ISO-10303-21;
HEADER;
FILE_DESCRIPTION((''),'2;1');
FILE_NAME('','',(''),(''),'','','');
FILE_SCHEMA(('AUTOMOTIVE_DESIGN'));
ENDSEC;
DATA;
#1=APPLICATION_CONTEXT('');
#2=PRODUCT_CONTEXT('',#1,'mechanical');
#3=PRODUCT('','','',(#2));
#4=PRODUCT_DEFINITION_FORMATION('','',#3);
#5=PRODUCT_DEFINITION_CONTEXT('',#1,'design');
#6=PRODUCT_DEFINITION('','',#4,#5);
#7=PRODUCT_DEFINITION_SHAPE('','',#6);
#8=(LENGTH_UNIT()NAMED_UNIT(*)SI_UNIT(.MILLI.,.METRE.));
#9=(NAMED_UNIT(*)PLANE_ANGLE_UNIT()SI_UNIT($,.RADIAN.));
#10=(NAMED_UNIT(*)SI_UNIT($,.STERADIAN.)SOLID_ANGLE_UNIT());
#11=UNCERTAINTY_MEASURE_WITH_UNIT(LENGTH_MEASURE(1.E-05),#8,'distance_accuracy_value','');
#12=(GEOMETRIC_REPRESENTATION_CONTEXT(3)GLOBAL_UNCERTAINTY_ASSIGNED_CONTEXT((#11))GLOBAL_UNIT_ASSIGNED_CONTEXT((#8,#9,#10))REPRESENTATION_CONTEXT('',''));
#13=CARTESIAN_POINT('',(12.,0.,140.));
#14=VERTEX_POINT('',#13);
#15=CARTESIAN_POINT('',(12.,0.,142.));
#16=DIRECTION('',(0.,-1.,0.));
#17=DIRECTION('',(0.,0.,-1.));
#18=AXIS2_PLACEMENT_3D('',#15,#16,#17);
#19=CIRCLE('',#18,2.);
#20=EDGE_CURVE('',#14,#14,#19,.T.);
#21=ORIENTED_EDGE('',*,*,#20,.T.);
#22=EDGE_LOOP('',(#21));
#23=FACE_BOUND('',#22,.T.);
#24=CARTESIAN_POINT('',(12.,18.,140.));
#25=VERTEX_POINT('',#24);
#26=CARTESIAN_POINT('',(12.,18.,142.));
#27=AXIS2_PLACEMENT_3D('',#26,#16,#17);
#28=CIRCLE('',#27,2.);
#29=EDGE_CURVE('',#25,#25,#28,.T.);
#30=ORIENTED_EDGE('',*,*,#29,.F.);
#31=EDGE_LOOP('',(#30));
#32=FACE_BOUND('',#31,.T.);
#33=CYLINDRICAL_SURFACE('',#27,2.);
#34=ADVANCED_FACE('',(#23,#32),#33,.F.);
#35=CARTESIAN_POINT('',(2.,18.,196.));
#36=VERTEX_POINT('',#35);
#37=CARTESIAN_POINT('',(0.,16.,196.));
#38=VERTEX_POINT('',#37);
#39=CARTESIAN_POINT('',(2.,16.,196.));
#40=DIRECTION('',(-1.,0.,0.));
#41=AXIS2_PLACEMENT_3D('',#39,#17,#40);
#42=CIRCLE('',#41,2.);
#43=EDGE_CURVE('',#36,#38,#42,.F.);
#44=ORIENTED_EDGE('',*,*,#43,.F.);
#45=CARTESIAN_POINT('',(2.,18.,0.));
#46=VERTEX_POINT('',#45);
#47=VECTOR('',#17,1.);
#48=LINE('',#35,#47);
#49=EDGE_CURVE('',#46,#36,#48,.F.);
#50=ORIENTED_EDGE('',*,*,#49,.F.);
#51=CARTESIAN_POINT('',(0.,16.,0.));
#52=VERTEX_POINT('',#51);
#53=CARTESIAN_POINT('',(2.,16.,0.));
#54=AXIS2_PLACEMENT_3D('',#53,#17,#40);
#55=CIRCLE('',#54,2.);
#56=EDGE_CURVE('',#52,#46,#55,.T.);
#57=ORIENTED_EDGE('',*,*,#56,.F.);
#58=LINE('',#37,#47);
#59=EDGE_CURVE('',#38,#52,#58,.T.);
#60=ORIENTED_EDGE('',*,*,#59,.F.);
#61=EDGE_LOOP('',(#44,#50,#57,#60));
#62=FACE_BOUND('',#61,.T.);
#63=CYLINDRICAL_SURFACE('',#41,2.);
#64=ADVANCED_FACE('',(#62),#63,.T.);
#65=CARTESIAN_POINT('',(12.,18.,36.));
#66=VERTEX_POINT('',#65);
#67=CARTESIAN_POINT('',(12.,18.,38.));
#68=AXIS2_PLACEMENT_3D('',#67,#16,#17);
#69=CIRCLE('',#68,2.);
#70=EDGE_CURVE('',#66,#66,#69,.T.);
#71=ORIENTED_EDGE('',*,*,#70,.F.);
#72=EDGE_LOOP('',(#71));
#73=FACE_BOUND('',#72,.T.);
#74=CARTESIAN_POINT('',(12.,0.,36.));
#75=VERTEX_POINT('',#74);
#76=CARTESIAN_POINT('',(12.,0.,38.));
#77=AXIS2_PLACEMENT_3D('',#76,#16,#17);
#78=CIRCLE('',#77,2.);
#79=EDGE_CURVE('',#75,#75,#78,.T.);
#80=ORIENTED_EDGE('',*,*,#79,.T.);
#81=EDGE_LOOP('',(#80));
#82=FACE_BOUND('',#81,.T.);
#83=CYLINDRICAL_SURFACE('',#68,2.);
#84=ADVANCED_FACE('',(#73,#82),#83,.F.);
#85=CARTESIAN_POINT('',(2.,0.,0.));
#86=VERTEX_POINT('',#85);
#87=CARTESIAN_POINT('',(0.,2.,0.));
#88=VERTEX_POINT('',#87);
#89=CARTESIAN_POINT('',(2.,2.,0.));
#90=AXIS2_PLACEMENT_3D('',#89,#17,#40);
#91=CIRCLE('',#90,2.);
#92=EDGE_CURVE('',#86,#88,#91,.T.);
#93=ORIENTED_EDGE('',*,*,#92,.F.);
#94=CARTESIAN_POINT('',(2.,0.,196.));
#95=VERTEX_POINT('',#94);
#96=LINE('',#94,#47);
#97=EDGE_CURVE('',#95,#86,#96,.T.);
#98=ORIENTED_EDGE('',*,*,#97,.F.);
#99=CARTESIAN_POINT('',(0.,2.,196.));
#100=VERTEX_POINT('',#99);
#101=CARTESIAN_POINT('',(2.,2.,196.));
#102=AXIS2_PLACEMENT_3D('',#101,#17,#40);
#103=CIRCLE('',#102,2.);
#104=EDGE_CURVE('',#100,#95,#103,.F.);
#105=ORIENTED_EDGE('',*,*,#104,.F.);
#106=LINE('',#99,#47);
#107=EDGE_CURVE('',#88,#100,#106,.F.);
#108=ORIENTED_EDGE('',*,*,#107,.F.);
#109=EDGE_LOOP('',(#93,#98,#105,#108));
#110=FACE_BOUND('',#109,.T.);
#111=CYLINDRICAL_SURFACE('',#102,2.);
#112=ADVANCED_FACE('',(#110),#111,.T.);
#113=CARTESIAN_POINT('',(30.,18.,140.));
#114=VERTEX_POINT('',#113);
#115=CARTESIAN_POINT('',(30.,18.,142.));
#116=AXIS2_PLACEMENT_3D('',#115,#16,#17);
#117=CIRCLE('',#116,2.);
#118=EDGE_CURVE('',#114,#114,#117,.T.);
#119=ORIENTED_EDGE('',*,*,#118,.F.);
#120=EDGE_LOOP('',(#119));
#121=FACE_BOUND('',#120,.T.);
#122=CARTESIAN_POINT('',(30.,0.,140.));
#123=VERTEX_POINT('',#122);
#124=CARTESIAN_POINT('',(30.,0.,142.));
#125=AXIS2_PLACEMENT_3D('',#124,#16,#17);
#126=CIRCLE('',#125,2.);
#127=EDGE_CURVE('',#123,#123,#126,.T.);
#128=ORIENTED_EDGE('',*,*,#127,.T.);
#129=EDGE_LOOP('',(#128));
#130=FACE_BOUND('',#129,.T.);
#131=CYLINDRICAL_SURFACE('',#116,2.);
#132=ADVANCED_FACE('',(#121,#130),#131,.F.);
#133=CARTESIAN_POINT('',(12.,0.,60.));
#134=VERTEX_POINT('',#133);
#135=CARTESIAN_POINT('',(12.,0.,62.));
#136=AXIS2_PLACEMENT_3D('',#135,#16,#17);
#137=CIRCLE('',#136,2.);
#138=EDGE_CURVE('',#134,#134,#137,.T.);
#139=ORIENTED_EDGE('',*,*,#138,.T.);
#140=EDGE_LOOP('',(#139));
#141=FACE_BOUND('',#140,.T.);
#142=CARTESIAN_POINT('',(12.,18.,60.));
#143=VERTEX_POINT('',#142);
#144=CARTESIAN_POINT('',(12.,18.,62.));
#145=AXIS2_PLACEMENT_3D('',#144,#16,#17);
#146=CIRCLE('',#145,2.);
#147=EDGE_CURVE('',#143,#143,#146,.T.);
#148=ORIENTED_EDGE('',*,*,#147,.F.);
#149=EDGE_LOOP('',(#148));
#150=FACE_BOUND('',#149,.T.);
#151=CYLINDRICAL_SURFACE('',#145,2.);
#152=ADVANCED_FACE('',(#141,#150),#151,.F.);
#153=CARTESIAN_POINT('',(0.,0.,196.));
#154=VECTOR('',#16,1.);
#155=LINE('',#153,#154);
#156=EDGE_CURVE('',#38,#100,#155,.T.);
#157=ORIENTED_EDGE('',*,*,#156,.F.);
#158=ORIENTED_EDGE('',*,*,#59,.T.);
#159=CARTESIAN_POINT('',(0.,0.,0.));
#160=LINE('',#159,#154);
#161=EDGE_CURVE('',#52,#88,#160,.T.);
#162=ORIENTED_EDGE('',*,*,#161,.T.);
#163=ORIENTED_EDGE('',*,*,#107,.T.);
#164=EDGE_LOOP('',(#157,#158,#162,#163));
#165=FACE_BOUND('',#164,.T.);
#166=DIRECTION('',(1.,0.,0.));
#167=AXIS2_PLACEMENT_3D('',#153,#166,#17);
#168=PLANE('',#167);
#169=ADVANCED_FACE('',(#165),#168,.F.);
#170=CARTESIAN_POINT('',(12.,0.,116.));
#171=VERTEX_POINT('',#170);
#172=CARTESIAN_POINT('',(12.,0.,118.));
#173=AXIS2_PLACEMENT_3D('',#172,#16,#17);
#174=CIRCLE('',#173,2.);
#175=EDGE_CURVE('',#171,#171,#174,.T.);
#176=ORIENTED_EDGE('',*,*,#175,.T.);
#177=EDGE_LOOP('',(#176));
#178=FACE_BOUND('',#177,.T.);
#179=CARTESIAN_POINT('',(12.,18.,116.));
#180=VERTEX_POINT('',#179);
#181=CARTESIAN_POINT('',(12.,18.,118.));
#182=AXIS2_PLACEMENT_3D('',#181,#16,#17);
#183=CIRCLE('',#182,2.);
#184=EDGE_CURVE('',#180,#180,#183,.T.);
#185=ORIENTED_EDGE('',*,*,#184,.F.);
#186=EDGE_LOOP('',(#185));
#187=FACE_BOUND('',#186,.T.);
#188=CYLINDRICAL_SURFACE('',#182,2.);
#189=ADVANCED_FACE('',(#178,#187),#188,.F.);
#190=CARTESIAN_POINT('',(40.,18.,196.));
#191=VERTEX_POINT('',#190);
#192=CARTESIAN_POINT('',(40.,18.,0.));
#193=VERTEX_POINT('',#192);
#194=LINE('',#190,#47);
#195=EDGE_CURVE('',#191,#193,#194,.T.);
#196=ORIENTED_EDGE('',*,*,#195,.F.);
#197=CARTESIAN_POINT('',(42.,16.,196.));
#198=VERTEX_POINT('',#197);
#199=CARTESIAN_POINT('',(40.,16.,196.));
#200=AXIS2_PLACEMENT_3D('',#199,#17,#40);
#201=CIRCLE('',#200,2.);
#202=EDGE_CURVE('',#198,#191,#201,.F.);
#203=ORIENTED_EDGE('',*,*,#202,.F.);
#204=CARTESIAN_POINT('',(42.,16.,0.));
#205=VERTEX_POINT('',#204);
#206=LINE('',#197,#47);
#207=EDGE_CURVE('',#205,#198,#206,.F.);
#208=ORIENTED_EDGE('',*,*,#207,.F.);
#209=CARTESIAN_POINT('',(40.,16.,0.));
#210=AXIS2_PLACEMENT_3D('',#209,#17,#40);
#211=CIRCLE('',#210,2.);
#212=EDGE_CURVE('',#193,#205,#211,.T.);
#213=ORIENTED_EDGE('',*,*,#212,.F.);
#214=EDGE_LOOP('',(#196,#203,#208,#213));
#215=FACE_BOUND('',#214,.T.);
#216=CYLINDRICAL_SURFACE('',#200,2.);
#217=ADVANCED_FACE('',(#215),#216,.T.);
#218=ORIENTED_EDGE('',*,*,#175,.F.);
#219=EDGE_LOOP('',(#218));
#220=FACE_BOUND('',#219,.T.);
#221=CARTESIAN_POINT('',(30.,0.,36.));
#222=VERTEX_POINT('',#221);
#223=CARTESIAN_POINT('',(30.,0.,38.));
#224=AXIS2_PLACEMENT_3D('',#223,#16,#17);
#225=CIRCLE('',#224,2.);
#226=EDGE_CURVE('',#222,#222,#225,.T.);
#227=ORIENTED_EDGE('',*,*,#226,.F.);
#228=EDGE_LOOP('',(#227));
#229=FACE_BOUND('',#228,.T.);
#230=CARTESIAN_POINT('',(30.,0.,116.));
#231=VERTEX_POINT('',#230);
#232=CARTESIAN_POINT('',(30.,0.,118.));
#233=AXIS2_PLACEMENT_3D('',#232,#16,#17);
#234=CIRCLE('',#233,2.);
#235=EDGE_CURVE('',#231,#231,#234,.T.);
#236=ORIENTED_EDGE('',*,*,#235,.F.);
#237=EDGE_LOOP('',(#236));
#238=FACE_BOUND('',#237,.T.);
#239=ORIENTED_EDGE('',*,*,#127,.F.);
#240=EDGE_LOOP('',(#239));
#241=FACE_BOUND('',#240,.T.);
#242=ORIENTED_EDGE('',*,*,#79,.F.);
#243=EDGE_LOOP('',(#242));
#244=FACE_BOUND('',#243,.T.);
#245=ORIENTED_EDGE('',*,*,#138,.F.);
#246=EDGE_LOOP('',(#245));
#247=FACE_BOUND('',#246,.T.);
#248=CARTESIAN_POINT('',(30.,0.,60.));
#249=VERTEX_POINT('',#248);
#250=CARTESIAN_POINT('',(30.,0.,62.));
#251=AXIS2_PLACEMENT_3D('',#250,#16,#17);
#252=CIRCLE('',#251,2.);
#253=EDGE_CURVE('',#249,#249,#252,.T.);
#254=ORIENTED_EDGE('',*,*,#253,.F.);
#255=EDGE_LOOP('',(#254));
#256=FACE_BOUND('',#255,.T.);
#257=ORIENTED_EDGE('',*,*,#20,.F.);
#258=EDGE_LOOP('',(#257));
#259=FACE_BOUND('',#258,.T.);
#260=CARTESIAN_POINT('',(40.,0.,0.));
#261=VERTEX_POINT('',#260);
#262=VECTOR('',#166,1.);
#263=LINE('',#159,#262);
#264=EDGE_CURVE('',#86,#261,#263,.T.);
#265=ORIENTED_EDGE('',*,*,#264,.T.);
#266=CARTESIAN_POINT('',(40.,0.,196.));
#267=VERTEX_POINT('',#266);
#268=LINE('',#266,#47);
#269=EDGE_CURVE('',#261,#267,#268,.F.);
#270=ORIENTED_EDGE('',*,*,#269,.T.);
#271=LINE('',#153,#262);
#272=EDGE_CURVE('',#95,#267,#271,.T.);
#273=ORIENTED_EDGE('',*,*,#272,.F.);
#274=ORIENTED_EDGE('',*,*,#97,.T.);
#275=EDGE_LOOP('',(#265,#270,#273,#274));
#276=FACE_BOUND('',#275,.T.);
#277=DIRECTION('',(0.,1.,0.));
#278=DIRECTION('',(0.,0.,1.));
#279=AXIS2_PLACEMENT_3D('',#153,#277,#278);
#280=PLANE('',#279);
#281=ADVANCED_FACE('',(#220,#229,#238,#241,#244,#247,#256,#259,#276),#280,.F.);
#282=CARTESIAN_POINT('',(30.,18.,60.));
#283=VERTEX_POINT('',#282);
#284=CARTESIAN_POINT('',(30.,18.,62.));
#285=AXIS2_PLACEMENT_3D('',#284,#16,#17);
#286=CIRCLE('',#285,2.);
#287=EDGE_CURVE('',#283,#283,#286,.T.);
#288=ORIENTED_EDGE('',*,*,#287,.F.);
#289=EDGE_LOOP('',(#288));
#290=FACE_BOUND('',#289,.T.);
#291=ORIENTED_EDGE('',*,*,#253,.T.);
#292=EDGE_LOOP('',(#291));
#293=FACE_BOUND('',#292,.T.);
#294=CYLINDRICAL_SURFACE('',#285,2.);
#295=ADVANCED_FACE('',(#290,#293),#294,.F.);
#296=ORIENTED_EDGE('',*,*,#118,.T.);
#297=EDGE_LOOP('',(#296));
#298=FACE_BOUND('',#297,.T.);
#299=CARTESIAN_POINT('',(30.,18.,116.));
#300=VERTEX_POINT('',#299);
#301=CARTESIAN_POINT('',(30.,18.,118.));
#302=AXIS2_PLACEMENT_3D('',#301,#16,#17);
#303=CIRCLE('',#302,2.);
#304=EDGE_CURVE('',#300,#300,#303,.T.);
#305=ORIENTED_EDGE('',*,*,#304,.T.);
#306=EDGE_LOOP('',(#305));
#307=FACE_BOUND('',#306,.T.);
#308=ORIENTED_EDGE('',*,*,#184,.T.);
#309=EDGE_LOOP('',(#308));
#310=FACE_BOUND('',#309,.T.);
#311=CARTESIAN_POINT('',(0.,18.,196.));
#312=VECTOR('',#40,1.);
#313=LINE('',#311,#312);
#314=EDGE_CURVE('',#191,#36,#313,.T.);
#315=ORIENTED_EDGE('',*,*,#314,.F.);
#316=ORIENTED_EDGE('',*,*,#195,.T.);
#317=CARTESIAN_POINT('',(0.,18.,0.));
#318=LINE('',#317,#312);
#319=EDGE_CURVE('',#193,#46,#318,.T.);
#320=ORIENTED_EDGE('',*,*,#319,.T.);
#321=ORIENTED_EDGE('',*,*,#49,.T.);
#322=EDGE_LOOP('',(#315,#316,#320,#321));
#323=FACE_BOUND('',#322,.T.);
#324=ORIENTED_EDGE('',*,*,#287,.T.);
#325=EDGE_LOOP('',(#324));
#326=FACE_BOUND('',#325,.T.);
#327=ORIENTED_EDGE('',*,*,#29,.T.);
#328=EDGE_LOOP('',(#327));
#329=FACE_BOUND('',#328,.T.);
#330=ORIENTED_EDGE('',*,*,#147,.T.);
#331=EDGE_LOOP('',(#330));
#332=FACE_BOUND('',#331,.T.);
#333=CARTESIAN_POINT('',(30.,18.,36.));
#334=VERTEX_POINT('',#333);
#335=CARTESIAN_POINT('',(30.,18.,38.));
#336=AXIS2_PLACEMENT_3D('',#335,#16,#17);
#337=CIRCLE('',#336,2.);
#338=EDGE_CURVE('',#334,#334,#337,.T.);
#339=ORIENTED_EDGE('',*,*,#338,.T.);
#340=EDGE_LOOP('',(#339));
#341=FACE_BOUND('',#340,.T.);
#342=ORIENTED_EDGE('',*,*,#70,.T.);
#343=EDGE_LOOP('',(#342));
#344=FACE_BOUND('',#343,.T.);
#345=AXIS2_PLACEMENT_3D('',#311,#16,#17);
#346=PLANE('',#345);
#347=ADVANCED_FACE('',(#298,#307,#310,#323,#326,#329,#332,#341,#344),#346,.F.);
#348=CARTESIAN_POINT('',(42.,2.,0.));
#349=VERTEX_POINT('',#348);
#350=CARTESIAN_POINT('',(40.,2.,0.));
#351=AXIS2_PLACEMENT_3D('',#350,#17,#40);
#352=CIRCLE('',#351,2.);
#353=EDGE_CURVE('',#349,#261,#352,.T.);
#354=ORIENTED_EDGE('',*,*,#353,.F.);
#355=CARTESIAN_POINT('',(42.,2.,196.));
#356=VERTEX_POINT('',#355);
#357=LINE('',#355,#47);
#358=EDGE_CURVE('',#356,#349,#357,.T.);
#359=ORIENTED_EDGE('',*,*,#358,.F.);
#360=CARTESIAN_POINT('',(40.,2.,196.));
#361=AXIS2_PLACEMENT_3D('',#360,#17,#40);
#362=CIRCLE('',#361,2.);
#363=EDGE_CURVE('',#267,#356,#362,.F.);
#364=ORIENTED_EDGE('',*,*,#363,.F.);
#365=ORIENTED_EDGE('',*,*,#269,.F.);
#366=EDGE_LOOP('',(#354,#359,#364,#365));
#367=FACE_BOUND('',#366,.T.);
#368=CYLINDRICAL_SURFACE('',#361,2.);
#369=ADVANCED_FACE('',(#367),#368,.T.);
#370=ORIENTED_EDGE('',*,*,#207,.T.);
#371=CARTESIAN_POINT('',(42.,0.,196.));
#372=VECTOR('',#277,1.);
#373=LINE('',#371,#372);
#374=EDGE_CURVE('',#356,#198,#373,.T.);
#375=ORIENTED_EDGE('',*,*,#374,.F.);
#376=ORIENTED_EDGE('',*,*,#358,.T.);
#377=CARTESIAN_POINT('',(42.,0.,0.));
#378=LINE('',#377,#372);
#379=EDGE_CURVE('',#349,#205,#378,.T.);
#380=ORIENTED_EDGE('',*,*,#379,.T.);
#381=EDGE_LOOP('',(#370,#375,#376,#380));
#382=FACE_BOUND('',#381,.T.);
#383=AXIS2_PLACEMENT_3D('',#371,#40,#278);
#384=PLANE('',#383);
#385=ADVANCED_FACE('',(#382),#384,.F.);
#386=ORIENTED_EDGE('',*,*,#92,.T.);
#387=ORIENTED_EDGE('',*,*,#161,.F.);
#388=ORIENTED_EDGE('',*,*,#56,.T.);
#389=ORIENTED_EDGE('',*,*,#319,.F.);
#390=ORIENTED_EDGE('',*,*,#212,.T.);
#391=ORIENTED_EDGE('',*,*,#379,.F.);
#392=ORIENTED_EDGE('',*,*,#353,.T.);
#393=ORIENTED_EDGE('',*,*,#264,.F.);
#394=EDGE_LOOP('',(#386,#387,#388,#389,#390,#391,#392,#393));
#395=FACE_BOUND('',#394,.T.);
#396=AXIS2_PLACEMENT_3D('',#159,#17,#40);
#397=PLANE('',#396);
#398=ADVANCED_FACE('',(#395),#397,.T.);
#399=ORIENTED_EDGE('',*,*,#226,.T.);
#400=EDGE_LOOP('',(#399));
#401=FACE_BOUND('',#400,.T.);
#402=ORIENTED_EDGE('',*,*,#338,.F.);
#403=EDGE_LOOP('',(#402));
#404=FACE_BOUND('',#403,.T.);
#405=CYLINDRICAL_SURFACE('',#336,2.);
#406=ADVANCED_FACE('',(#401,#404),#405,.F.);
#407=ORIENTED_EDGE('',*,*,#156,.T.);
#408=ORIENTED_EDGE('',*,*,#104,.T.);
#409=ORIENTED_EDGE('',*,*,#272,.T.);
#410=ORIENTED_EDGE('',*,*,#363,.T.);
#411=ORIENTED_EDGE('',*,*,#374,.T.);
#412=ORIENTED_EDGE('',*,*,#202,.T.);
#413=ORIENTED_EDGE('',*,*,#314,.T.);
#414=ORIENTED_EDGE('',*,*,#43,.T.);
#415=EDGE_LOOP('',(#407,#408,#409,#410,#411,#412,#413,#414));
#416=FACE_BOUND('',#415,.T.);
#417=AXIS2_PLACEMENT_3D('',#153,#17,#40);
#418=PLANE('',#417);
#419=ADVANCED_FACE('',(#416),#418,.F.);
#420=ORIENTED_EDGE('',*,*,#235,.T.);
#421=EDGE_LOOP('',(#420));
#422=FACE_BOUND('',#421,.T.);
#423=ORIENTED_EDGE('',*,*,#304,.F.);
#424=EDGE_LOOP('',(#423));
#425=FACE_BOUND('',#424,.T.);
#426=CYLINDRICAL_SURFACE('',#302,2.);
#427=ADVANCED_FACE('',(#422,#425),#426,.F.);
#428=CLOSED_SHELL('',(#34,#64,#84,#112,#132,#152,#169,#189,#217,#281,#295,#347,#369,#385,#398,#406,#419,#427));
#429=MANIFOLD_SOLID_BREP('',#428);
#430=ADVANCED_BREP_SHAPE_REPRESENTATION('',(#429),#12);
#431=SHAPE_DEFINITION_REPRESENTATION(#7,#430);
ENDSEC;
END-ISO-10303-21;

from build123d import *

# Parameters (mm, degrees)
SKETCH1_W           = 42
SKETCH1_H           = 18
BOSS_EXTRUDE1_DEPTH = 196
FILLET1_R           = 2
SKETCH2_R           = 2
CUT_EXTRUDE1_DEPTH  = 202.25605581


with BuildPart() as part:
    # Sketch1 → Boss-Extrude1 (new body)
    with BuildSketch(Plane.XY):
        with Locations((21, 9)):
            Rectangle(SKETCH1_W, SKETCH1_H)
    extrude(amount=BOSS_EXTRUDE1_DEPTH)

    # Fillet1
    fillet1_edges = [part.edges().sort_by_distance(p)[0] for p in [
        (0, 18, 98),
        (42, 18, 98),
        (42, 0, 98),
        (0, 0, 98),
    ]]
    fillet(fillet1_edges, radius=FILLET1_R)

    # Sketch2 → Cut-Extrude1 (cut, through all)
    with BuildSketch(Plane.XZ):
        with Locations(Location((12, 142, 0), (0, 0, 270))):
            Circle(SKETCH2_R)
        with Locations(Location((30, 142, 0), (0, 0, 270))):
            Circle(SKETCH2_R)
        with Locations(Location((12, 118, 0), (0, 0, 270))):
            Circle(SKETCH2_R)
        with Locations(Location((30, 118, 0), (0, 0, 270))):
            Circle(SKETCH2_R)
        with Locations(Location((12, 62, 0), (0, 0, 270))):
            Circle(SKETCH2_R)
        with Locations(Location((30, 62, 0), (0, 0, 270))):
            Circle(SKETCH2_R)
        with Locations(Location((30, 38, 0), (0, 0, 270))):
            Circle(SKETCH2_R)
        with Locations(Location((12, 38, 0), (0, 0, 270))):
            Circle(SKETCH2_R)
    extrude(amount=-CUT_EXTRUDE1_DEPTH, mode=Mode.SUBTRACT)


solid = part.part
